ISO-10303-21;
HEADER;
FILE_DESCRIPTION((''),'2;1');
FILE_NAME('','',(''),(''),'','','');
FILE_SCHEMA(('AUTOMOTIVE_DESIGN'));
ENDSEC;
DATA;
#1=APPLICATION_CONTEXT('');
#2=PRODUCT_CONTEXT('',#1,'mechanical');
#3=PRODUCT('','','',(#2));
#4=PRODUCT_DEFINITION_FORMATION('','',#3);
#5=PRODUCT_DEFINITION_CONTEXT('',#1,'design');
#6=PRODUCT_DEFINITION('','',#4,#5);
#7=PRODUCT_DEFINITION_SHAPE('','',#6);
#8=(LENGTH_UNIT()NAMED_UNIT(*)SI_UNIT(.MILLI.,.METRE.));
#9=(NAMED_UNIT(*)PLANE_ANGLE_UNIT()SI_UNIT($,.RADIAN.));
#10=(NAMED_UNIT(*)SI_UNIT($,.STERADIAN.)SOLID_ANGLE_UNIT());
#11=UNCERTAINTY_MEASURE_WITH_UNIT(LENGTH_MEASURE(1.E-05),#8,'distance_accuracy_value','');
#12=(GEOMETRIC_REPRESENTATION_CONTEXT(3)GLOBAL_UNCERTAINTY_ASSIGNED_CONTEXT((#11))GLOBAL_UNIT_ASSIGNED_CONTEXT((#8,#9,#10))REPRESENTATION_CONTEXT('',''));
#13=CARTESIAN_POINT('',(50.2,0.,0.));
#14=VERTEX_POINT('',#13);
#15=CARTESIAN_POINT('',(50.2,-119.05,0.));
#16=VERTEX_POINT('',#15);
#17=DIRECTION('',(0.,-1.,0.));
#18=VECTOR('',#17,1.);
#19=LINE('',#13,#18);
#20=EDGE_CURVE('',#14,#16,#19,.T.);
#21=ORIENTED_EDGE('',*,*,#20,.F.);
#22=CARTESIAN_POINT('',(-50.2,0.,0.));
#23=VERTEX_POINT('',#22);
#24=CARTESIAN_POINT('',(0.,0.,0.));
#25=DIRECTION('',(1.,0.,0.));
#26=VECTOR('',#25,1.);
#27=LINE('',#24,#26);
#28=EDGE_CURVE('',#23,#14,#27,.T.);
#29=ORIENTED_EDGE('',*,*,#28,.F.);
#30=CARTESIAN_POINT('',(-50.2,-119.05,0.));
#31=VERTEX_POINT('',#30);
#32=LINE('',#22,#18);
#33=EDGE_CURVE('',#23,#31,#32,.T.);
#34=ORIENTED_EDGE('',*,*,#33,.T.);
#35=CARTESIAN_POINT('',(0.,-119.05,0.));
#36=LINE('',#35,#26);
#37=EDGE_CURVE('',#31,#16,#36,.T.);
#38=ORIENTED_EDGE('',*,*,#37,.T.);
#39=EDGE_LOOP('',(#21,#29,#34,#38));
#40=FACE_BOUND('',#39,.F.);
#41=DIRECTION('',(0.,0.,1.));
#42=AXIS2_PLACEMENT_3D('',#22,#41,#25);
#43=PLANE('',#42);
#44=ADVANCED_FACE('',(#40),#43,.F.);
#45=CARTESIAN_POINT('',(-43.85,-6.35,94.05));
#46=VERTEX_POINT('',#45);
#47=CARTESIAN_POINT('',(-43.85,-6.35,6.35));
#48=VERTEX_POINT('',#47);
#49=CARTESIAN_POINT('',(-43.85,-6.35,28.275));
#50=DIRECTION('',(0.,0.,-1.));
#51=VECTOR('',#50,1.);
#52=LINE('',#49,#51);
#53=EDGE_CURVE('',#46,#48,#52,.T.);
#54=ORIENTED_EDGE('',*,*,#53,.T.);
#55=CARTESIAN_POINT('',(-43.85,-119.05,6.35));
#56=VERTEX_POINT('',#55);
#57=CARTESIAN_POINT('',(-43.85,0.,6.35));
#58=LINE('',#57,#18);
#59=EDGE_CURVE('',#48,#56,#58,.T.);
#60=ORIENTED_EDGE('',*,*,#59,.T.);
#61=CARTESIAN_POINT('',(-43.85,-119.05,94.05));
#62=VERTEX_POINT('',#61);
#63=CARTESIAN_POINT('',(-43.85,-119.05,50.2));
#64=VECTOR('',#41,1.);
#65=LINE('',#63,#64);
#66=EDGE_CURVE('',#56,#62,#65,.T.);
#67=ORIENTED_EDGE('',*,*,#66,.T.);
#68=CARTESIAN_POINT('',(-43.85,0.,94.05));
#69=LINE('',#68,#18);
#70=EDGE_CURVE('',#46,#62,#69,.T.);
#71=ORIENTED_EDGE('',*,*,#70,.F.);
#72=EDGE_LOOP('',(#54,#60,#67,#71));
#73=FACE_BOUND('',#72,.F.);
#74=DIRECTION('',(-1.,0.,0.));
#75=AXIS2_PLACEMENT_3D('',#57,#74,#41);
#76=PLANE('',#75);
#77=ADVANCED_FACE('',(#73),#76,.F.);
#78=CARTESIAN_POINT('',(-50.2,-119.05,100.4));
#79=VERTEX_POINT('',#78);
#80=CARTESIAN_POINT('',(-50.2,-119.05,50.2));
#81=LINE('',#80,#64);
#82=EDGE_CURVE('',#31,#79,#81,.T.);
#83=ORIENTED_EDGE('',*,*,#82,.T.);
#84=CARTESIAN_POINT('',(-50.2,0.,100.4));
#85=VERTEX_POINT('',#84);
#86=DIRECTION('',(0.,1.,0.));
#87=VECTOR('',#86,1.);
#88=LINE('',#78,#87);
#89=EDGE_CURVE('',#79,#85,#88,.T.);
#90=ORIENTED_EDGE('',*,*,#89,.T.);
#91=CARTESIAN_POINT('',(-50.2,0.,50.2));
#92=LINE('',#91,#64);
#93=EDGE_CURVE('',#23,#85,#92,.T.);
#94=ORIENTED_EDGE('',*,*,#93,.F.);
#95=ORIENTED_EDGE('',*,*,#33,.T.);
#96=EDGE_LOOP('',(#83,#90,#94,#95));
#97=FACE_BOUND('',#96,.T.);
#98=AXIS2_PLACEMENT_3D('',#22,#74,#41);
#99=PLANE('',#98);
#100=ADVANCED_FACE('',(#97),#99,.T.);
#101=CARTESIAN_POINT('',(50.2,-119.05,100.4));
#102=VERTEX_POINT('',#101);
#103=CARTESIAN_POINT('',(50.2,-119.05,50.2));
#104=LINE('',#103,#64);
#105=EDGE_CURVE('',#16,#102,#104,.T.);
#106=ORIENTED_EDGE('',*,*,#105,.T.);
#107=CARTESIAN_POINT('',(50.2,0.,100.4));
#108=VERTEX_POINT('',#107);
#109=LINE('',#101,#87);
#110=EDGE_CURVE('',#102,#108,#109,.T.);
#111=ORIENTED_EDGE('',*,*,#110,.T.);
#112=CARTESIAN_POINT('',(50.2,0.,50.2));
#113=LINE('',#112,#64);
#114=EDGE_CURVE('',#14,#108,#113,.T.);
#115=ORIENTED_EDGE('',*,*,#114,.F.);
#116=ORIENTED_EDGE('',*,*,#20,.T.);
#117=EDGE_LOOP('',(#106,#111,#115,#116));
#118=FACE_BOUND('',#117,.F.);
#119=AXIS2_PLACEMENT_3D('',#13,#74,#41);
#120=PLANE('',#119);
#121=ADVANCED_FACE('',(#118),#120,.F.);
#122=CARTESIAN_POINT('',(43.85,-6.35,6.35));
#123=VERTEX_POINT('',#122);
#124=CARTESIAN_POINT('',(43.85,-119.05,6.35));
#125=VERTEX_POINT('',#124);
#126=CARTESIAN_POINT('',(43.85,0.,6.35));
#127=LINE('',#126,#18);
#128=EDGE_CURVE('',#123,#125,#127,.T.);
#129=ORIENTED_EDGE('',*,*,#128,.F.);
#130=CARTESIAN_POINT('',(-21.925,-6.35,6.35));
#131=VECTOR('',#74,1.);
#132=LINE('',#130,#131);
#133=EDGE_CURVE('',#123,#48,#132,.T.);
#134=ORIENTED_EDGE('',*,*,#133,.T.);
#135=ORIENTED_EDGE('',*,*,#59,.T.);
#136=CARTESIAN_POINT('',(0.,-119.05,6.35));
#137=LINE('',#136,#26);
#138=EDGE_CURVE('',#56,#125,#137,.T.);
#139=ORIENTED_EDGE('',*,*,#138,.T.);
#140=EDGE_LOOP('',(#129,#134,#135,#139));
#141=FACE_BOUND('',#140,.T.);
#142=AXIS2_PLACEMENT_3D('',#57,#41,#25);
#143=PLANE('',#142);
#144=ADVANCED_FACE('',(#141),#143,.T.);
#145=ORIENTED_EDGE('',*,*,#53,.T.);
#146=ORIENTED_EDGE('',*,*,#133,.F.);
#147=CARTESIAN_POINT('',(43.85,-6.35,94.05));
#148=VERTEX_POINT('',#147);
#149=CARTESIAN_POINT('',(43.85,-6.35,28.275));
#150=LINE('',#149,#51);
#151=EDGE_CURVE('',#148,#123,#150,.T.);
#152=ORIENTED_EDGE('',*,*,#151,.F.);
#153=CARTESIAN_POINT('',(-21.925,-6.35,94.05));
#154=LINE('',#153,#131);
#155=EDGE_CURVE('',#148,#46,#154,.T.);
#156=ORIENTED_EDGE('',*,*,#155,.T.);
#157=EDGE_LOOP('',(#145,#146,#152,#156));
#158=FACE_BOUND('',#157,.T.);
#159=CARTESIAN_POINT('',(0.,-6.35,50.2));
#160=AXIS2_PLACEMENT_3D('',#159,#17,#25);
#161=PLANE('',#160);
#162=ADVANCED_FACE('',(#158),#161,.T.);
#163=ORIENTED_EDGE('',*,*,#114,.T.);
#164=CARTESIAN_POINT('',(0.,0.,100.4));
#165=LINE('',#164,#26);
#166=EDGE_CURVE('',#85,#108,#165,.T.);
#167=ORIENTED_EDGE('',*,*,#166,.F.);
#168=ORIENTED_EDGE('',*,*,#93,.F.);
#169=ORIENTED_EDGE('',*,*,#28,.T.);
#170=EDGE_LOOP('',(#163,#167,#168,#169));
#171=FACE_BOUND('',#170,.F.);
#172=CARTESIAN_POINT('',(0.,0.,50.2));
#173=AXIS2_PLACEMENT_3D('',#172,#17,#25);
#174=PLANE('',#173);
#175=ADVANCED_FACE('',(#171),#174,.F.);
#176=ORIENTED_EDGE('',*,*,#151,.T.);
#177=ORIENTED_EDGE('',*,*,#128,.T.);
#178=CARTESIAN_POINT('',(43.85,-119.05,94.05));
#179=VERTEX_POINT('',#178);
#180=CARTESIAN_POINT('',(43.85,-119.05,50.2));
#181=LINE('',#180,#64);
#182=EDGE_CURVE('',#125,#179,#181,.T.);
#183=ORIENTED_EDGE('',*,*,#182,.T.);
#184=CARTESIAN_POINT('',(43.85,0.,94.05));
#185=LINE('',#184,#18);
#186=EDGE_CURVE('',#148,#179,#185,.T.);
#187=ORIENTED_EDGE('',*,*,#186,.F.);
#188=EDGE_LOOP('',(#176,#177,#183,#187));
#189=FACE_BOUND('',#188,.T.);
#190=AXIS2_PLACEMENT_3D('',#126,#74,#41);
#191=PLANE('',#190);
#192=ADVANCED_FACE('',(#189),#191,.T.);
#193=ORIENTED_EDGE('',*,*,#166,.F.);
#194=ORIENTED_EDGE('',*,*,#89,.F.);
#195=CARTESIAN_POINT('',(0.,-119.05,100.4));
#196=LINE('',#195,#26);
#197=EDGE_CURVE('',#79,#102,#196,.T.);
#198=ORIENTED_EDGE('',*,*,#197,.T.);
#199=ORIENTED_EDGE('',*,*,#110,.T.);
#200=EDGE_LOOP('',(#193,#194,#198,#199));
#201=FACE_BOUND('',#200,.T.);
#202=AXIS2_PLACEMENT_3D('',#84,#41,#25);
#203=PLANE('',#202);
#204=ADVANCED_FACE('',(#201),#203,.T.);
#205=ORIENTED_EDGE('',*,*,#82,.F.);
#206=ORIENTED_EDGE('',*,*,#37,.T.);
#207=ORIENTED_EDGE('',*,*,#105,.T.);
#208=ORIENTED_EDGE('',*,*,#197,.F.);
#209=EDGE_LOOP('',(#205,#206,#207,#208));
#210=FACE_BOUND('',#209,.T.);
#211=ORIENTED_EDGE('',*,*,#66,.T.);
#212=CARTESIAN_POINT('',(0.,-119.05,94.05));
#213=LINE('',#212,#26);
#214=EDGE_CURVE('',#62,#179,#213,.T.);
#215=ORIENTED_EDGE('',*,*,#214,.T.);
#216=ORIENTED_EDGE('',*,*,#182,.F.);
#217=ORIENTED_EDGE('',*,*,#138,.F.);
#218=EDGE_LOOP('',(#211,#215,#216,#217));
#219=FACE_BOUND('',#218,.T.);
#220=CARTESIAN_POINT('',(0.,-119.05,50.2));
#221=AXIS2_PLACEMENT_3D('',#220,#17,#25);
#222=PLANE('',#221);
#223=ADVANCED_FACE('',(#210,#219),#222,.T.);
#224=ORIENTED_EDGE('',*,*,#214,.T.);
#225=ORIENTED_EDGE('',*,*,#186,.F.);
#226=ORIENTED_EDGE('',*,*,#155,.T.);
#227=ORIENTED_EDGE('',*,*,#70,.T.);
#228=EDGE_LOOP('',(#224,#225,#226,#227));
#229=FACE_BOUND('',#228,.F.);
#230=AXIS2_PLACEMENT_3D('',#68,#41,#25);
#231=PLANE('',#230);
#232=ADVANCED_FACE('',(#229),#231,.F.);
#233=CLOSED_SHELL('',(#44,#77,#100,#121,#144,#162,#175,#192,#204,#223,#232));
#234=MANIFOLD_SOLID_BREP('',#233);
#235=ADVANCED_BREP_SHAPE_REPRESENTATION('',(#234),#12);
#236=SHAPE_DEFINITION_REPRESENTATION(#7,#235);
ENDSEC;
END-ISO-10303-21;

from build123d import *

# Parameters (mm, degrees)
F0_W     = 100.4
F0_H     = 100.4
F0_W_2   = 87.7
F0_H_2   = 87.7
F1_DEPTH = 6.35
F2_DEPTH = 119.05


with BuildPart() as f1:
    # F0 (on Front) → F1 (new body)
    with BuildSketch(Plane.XZ):
        with Locations((0, 50.2)):
            Rectangle(F0_W, F0_H)
        with Locations((0, 50.2)):
            Rectangle(F0_W_2, F0_H_2, mode=Mode.SUBTRACT)
        with Locations((0, 50.2)):
            Rectangle(F0_W_2, F0_H_2)
    extrude(amount=F1_DEPTH)

    # F0 (on Front) → F2 (join)
    with BuildSketch(Plane.XZ):
        with Locations((0, 50.2)):
            Rectangle(F0_W, F0_H)
        with Locations((0, 50.2)):
            Rectangle(F0_W_2, F0_H_2, mode=Mode.SUBTRACT)
    extrude(amount=F2_DEPTH)


solid = f1.part
